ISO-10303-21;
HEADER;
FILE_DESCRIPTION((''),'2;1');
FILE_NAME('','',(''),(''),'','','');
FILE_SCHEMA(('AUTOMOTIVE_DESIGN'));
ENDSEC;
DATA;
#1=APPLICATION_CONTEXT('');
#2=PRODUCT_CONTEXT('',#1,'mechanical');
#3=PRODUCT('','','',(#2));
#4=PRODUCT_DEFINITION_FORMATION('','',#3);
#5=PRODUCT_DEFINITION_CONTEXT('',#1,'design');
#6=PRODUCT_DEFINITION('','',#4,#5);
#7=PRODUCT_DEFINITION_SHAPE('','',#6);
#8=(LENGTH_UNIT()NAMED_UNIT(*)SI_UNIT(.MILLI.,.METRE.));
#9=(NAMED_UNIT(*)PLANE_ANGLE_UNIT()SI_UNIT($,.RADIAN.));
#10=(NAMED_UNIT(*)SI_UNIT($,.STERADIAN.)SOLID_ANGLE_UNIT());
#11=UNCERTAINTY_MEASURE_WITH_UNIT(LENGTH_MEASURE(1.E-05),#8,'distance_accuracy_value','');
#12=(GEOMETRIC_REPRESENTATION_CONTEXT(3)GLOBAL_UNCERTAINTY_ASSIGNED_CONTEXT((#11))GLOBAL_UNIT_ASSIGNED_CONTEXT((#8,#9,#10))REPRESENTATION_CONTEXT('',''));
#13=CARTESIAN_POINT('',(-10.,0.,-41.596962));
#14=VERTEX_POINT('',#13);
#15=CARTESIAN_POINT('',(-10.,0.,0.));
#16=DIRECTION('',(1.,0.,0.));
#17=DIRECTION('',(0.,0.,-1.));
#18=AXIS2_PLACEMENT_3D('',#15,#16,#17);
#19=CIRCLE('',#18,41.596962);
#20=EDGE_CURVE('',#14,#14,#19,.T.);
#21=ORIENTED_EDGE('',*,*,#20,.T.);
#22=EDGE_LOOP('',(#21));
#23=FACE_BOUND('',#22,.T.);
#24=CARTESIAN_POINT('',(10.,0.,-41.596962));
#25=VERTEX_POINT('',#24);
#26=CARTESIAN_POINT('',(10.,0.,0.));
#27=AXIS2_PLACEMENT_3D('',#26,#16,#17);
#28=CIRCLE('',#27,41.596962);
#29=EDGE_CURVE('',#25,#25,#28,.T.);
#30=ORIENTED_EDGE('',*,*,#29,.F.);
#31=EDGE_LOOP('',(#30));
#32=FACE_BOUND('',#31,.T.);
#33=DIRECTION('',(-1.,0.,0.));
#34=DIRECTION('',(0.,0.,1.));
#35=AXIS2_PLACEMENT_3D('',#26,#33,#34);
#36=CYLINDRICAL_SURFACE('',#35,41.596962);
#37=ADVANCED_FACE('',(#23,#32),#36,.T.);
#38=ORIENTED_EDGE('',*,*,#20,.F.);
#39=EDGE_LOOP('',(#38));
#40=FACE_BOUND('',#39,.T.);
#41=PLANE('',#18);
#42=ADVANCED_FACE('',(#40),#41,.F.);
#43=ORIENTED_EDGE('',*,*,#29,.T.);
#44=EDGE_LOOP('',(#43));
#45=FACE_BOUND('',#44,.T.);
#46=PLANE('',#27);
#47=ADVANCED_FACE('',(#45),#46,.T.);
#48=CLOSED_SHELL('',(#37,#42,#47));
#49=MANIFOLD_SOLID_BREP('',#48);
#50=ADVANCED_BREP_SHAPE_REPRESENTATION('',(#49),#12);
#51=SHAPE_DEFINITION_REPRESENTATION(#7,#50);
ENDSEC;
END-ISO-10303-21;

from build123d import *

# Parameters (mm, degrees)
SKETCH1_R           = 41.596961702
BOSS_EXTRUDE1_DEPTH = 10


with BuildPart() as part:
    # Sketch1 → Boss-Extrude1 (new body, symmetric)
    with BuildSketch(Plane(origin=(0, 0, 0), x_dir=(0, 0, -1), z_dir=(1, 0, 0))):
        Circle(SKETCH1_R)
    extrude(amount=BOSS_EXTRUDE1_DEPTH, both=True)


solid = part.part
